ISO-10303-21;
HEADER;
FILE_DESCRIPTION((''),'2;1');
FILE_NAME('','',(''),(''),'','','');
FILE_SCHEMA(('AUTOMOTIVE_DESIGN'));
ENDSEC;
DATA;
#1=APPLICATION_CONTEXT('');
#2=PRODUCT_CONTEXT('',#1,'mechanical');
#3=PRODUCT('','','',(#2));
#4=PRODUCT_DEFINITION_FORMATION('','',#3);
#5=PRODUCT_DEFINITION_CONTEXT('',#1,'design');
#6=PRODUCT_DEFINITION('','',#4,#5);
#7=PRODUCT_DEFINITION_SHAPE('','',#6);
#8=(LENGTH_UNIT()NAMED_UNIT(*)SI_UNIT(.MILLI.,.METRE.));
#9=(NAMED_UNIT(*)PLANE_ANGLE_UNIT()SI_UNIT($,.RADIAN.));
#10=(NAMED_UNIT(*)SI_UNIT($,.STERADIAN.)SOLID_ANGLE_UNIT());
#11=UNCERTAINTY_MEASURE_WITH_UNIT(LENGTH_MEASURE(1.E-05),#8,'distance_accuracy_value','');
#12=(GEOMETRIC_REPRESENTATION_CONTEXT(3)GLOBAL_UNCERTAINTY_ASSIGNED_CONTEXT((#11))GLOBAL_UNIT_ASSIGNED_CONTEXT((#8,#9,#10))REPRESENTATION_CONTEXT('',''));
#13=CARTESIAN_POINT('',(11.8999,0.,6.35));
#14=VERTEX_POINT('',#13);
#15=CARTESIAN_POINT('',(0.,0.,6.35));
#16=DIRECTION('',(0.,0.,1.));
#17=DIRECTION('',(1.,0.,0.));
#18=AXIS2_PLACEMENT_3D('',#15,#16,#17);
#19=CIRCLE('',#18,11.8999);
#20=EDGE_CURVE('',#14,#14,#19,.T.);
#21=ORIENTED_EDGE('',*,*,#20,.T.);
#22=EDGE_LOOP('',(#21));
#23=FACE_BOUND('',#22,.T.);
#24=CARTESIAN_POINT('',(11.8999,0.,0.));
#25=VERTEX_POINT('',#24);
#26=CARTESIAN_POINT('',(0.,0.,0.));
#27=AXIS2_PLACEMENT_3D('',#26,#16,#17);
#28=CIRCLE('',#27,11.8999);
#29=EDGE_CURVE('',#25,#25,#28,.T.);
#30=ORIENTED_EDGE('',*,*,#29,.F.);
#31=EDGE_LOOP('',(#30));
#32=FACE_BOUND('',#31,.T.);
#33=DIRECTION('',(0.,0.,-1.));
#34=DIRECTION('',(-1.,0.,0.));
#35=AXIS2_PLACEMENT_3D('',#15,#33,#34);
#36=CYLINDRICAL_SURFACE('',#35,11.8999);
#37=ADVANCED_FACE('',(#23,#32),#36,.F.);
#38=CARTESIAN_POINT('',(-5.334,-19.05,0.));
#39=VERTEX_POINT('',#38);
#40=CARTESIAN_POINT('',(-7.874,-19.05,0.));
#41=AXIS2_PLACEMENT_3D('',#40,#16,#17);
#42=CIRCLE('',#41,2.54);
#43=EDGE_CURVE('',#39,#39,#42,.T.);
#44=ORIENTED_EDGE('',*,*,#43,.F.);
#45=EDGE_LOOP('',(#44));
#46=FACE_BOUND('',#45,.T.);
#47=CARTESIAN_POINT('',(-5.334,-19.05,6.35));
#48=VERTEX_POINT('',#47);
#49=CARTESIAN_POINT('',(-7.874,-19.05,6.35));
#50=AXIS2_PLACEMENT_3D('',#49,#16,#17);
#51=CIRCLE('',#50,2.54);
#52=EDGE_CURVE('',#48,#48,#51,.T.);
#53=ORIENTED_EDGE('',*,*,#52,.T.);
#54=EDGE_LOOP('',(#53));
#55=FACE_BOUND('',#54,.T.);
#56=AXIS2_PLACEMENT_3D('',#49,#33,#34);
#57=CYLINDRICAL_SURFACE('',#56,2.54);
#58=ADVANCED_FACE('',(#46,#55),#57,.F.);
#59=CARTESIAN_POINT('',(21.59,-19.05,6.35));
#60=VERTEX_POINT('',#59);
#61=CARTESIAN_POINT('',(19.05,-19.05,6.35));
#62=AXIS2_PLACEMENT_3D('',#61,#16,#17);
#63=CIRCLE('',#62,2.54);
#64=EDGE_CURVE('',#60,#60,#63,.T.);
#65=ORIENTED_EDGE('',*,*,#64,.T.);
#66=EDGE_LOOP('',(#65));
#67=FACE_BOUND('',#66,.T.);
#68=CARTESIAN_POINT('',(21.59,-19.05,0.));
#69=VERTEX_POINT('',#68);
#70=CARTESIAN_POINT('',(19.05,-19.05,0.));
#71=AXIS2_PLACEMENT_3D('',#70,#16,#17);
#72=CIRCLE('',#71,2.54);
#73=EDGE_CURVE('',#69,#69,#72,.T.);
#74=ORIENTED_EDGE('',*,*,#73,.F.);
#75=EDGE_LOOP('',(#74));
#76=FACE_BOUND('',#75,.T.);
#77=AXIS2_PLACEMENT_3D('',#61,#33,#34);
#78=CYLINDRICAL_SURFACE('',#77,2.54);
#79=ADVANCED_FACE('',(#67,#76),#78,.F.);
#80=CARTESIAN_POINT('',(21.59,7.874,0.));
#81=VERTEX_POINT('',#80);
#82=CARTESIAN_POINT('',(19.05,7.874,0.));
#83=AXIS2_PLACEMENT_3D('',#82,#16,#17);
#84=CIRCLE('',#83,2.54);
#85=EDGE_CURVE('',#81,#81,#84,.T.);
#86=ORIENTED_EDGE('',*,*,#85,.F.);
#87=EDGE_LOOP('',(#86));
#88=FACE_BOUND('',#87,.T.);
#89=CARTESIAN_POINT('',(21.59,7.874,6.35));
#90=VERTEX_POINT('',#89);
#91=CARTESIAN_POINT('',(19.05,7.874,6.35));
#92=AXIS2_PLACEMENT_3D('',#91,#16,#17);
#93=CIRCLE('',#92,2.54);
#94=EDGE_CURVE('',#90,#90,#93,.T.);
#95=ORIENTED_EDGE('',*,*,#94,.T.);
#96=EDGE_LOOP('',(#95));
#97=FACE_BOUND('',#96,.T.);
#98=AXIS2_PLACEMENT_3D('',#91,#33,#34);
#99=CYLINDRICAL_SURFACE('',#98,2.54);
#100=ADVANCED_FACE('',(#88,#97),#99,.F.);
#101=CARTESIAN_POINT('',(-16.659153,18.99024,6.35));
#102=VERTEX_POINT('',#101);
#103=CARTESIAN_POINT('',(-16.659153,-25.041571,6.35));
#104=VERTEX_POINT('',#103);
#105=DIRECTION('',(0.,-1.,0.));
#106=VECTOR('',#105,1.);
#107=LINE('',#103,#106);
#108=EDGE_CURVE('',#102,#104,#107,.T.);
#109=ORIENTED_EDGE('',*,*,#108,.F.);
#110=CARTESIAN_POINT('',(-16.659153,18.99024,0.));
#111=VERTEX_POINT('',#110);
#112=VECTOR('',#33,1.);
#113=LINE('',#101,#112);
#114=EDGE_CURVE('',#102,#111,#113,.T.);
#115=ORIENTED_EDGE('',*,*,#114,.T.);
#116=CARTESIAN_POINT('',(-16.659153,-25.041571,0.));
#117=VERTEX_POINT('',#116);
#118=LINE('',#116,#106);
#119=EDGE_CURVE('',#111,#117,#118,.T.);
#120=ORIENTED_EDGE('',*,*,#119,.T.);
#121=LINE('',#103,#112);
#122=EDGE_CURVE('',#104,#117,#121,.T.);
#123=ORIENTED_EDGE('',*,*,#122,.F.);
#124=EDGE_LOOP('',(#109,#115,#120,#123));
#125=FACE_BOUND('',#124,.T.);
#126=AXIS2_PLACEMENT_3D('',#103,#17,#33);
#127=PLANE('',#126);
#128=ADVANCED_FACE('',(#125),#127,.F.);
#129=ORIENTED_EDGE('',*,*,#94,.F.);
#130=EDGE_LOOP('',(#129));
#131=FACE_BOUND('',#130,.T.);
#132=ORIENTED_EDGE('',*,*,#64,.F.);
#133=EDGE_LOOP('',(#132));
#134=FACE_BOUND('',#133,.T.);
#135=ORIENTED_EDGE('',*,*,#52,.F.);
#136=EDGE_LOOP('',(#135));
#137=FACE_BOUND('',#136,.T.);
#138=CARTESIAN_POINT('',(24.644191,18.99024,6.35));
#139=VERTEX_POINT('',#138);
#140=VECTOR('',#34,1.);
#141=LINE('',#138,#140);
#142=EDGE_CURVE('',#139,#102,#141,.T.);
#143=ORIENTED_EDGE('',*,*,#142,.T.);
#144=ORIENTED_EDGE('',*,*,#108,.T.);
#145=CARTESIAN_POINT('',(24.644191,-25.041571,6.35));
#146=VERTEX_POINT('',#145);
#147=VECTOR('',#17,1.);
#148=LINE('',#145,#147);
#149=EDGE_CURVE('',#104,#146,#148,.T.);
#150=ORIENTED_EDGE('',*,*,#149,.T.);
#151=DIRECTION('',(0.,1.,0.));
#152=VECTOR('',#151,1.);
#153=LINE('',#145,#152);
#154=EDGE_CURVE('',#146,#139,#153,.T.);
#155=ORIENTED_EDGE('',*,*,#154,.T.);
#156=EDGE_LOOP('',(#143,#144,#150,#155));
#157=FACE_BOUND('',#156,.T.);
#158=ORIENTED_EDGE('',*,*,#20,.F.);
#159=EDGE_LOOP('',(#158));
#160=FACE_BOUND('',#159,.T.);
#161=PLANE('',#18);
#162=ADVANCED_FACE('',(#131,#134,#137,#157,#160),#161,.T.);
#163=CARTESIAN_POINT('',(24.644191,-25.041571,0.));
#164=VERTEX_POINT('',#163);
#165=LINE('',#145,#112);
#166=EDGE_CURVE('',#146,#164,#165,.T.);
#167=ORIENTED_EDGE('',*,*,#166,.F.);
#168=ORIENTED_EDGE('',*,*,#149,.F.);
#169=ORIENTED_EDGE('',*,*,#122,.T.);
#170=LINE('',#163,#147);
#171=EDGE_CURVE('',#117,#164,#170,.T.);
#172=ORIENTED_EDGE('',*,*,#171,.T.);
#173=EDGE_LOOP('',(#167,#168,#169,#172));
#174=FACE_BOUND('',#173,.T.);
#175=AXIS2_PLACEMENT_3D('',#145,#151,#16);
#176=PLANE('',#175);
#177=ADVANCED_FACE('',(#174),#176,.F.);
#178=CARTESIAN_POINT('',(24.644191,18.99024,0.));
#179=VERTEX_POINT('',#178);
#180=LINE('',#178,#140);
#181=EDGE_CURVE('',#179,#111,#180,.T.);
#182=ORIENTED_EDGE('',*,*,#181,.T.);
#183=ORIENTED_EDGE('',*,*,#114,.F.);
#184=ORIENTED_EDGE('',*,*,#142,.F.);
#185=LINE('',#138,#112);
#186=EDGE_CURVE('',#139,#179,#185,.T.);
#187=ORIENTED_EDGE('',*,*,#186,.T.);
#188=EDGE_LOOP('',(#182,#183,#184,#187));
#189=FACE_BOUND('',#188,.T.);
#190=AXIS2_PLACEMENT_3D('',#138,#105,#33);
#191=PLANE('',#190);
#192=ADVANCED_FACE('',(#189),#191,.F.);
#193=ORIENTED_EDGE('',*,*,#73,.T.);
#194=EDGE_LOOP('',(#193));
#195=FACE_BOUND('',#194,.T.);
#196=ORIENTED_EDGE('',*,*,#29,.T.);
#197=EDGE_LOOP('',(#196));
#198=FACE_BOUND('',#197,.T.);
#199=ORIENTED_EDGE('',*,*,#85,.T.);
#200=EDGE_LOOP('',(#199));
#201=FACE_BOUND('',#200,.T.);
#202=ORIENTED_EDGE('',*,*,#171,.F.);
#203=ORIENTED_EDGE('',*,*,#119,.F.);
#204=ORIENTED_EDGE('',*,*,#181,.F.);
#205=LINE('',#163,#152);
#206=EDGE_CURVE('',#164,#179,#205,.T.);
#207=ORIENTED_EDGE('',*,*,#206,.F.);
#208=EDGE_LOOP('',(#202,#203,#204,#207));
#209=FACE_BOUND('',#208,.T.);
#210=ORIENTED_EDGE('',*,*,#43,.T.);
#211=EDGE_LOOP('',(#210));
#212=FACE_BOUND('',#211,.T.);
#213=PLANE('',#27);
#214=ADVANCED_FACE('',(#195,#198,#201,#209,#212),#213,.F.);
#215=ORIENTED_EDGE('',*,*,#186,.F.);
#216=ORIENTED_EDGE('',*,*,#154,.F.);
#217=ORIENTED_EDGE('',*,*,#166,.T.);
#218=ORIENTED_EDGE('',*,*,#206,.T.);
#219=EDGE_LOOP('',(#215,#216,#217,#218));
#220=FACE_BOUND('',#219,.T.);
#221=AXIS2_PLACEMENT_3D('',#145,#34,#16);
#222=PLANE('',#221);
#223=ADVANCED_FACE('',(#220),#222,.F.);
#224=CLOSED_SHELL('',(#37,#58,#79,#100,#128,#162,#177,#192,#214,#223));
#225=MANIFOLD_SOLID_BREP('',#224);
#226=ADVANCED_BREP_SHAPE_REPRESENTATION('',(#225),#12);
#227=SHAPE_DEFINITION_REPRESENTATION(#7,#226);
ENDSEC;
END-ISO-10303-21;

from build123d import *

# Parameters (mm, degrees)
SKETCH1_W           = 41.303343927
SKETCH1_H           = 44.031810838
SKETCH1_R           = 11.8999
SKETCH1_R_2         = 2.54
BOSS_EXTRUDE1_DEPTH = 6.35


with BuildPart() as part:
    # Sketch1 → Boss-Extrude1 (new body)
    with BuildSketch(Plane.XY):
        with Locations((3.992518762, -3.025665718)):
            Rectangle(SKETCH1_W, SKETCH1_H)
        Circle(SKETCH1_R, mode=Mode.SUBTRACT)
        with Locations((19.05, 7.874)):
            Circle(SKETCH1_R_2, mode=Mode.SUBTRACT)
        with Locations((19.05, -19.05)):
            Circle(SKETCH1_R_2, mode=Mode.SUBTRACT)
        with Locations((-7.874, -19.05)):
            Circle(SKETCH1_R_2, mode=Mode.SUBTRACT)
    extrude(amount=BOSS_EXTRUDE1_DEPTH)


solid = part.part
